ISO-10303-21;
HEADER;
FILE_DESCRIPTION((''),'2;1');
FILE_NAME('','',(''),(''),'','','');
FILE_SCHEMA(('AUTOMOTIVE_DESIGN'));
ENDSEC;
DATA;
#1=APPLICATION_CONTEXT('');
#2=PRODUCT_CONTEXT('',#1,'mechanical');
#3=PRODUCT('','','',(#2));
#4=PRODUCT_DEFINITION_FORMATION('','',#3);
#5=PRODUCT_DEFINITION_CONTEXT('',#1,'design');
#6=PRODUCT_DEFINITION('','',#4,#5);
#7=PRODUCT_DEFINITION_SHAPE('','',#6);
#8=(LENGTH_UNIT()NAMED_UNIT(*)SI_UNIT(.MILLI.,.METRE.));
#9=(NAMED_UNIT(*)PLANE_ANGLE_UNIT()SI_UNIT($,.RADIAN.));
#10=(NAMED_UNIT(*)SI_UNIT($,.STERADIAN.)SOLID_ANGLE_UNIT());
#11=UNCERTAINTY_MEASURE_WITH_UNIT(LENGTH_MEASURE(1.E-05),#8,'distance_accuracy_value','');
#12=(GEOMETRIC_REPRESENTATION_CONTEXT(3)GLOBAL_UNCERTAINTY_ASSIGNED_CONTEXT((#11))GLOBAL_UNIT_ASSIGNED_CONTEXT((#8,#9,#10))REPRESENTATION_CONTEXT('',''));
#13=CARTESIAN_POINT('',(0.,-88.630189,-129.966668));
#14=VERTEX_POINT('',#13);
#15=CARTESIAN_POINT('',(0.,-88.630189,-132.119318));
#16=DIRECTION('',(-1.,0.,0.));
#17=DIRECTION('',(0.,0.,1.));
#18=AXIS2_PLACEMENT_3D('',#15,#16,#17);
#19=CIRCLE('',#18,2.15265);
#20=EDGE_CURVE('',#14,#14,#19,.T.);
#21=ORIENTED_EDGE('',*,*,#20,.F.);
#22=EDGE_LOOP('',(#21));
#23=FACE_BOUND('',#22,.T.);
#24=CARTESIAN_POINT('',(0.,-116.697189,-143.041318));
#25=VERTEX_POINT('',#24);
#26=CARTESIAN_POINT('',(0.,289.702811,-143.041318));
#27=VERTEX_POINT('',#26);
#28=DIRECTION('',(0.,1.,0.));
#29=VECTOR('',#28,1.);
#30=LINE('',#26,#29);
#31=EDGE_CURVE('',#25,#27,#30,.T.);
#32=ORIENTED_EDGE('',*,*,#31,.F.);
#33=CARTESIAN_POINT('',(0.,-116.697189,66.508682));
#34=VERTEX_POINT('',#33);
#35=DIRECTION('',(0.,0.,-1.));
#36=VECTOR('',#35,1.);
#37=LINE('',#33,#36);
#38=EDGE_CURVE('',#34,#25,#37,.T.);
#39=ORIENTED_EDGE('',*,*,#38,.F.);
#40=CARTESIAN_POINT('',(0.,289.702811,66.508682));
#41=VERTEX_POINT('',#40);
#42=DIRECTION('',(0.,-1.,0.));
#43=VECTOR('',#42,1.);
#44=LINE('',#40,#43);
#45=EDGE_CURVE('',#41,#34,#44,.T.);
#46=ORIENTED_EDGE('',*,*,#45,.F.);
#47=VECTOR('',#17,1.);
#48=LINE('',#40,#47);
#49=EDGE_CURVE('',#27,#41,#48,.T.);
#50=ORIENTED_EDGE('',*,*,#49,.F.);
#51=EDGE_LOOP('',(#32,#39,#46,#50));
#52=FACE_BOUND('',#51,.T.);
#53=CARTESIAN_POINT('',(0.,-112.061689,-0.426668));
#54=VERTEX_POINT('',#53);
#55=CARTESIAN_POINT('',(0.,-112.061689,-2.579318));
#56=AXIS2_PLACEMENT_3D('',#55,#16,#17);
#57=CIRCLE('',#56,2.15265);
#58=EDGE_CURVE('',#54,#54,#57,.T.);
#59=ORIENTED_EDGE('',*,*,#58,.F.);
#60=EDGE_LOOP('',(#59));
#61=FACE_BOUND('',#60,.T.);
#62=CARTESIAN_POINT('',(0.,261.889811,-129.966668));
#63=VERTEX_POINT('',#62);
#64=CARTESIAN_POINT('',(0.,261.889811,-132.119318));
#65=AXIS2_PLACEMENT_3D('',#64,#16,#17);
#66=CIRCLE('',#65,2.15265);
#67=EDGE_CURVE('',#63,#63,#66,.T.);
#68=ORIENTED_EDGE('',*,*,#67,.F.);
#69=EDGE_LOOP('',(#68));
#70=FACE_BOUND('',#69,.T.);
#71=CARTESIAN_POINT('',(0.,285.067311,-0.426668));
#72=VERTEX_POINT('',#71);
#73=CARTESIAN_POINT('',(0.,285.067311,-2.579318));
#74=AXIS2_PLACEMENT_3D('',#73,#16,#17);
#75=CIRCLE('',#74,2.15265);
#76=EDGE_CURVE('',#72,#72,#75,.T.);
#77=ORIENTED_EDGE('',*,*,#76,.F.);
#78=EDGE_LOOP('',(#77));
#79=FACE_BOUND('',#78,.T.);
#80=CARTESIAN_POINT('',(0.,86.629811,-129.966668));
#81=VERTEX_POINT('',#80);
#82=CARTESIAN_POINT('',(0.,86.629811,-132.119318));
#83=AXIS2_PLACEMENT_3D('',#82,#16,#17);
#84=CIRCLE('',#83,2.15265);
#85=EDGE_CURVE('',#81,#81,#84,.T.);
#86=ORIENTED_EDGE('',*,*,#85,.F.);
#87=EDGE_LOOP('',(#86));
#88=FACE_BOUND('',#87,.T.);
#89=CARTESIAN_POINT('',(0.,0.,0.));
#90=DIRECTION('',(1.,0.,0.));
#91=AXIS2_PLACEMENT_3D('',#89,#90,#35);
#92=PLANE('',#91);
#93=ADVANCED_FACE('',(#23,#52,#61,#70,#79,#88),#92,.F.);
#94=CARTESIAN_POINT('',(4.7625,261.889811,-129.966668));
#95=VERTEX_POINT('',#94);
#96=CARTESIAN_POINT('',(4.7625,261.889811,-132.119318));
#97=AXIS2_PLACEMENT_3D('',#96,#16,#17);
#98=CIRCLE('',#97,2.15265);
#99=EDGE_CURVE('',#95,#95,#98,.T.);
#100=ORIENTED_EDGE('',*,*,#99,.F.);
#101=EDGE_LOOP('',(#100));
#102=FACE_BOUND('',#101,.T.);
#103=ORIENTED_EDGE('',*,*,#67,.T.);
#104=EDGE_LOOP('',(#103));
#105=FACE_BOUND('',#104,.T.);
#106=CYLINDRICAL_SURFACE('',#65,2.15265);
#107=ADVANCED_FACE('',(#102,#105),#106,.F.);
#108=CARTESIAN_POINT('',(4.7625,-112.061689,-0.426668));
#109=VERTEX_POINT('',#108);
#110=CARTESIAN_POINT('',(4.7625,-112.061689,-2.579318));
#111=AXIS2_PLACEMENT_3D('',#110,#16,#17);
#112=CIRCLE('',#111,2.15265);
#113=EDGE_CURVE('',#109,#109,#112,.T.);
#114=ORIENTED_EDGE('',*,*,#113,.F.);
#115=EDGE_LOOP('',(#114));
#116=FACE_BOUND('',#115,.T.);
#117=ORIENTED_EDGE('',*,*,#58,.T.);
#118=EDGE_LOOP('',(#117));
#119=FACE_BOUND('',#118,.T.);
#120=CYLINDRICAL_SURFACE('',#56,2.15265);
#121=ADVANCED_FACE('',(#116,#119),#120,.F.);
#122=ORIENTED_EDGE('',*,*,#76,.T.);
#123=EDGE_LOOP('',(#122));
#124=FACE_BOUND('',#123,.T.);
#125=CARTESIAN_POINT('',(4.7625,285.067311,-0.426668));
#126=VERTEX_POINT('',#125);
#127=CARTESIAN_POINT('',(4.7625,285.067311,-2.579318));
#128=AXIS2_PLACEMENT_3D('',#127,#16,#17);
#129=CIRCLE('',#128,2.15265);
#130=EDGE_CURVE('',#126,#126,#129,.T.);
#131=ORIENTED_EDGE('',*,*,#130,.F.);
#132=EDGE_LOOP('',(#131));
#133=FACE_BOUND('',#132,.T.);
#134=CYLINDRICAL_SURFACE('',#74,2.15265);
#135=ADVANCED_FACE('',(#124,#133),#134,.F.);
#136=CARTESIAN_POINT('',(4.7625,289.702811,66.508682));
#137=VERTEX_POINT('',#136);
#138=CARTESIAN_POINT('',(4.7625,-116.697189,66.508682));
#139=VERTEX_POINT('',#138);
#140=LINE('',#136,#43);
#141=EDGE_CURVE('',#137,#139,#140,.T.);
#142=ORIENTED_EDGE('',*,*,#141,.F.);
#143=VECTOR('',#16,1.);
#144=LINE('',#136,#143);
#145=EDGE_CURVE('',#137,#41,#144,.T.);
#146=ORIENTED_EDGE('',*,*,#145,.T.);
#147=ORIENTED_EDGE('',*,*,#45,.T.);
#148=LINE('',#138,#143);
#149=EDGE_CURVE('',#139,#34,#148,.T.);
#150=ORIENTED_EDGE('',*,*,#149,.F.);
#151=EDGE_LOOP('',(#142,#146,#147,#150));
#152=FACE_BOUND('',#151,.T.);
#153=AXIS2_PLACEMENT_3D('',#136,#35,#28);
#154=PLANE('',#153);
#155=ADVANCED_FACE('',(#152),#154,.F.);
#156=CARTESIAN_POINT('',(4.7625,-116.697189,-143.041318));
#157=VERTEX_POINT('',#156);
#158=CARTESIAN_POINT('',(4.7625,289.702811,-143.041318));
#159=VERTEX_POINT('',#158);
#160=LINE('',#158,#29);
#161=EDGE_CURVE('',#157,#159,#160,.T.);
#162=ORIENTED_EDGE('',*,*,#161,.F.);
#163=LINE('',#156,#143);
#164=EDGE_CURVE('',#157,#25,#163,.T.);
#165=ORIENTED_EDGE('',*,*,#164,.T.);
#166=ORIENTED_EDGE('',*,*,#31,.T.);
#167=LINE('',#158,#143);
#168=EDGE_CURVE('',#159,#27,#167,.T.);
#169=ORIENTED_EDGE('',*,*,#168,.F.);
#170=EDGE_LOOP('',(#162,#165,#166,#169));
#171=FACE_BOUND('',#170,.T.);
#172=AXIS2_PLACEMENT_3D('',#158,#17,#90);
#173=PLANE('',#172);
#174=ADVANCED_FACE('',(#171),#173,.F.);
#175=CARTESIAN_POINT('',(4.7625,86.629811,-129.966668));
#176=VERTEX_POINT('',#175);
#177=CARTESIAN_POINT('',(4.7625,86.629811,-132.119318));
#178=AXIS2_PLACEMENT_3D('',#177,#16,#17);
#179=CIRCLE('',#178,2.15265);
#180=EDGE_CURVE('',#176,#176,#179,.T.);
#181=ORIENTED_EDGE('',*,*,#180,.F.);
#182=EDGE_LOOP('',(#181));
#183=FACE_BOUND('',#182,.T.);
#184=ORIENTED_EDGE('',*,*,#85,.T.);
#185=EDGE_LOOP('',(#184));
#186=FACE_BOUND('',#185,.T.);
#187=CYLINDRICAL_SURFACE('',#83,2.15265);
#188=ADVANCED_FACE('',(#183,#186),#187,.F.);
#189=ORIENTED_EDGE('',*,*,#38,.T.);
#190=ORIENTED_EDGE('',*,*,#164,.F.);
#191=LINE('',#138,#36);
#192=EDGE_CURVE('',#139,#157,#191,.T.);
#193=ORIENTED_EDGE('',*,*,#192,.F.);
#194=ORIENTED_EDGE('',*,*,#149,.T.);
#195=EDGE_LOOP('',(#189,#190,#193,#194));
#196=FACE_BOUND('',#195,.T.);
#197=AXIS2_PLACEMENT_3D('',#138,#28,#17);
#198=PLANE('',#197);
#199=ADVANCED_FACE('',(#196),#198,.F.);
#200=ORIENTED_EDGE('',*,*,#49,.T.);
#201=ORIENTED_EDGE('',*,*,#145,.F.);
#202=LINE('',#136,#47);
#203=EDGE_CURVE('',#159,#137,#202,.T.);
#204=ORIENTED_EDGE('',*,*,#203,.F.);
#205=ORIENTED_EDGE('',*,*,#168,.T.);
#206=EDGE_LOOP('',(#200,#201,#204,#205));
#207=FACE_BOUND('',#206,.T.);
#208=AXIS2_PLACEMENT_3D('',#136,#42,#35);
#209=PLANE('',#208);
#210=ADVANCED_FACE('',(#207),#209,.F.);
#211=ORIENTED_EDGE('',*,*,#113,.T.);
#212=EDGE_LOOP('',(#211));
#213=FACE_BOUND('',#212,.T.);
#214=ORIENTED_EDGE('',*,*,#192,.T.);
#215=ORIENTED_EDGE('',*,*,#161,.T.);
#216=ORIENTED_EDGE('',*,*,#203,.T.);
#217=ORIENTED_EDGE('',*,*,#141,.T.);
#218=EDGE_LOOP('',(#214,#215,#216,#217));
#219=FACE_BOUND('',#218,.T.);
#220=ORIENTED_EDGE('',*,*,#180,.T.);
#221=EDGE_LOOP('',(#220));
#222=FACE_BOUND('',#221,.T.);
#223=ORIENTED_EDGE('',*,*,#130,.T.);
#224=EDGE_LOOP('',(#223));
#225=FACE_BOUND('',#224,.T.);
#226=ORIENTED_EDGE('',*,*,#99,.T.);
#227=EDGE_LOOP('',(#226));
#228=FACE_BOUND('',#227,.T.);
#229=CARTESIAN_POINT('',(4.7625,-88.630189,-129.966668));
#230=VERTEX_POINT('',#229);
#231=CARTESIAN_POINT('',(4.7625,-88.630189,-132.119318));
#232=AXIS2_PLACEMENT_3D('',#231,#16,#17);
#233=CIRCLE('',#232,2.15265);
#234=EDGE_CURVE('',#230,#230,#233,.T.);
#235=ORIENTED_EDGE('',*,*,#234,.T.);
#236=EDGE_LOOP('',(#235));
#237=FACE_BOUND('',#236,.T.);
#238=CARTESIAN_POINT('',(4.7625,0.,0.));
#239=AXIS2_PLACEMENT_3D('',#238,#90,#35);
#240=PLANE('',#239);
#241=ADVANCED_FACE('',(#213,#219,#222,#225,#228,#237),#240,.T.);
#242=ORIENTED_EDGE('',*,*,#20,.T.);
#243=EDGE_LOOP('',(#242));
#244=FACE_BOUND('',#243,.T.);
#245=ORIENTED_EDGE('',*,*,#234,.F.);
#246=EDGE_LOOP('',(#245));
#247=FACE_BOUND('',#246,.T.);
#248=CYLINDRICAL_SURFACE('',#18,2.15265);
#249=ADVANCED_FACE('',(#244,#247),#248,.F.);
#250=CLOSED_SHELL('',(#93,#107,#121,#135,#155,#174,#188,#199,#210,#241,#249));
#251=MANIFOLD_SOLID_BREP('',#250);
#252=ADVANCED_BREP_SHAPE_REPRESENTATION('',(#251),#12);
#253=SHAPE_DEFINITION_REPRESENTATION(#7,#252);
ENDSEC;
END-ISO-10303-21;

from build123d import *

# Parameters (mm, degrees)
SKETCH1_W             = 209.55
SKETCH1_H             = 406.4
BOSS_EXTRUDE1_DEPTH   = 4.7625
F_8_CLEARANCE_HOLE1_D = 4.3053


with BuildPart() as part:
    # Sketch1 → Boss-Extrude1 (new body)
    with BuildSketch(Plane(origin=(0, 0, 0), x_dir=(0, 0, -1), z_dir=(1, 0, 0))):
        with Locations((38.266318423, 86.502811245)):
            Rectangle(SKETCH1_W, SKETCH1_H)
    extrude(amount=BOSS_EXTRUDE1_DEPTH)

    # #8 Clearance Hole1 (through all)
    with Locations(Plane.ZY):
        with Locations((-132.119318423, -88.630188755), (-132.119318423, 261.889811245), (-132.119318423, 86.629811245), (-2.579318423, -112.061688755), (-2.579318423, 285.067311245)):
            Hole(F_8_CLEARANCE_HOLE1_D / 2)


solid = part.part
